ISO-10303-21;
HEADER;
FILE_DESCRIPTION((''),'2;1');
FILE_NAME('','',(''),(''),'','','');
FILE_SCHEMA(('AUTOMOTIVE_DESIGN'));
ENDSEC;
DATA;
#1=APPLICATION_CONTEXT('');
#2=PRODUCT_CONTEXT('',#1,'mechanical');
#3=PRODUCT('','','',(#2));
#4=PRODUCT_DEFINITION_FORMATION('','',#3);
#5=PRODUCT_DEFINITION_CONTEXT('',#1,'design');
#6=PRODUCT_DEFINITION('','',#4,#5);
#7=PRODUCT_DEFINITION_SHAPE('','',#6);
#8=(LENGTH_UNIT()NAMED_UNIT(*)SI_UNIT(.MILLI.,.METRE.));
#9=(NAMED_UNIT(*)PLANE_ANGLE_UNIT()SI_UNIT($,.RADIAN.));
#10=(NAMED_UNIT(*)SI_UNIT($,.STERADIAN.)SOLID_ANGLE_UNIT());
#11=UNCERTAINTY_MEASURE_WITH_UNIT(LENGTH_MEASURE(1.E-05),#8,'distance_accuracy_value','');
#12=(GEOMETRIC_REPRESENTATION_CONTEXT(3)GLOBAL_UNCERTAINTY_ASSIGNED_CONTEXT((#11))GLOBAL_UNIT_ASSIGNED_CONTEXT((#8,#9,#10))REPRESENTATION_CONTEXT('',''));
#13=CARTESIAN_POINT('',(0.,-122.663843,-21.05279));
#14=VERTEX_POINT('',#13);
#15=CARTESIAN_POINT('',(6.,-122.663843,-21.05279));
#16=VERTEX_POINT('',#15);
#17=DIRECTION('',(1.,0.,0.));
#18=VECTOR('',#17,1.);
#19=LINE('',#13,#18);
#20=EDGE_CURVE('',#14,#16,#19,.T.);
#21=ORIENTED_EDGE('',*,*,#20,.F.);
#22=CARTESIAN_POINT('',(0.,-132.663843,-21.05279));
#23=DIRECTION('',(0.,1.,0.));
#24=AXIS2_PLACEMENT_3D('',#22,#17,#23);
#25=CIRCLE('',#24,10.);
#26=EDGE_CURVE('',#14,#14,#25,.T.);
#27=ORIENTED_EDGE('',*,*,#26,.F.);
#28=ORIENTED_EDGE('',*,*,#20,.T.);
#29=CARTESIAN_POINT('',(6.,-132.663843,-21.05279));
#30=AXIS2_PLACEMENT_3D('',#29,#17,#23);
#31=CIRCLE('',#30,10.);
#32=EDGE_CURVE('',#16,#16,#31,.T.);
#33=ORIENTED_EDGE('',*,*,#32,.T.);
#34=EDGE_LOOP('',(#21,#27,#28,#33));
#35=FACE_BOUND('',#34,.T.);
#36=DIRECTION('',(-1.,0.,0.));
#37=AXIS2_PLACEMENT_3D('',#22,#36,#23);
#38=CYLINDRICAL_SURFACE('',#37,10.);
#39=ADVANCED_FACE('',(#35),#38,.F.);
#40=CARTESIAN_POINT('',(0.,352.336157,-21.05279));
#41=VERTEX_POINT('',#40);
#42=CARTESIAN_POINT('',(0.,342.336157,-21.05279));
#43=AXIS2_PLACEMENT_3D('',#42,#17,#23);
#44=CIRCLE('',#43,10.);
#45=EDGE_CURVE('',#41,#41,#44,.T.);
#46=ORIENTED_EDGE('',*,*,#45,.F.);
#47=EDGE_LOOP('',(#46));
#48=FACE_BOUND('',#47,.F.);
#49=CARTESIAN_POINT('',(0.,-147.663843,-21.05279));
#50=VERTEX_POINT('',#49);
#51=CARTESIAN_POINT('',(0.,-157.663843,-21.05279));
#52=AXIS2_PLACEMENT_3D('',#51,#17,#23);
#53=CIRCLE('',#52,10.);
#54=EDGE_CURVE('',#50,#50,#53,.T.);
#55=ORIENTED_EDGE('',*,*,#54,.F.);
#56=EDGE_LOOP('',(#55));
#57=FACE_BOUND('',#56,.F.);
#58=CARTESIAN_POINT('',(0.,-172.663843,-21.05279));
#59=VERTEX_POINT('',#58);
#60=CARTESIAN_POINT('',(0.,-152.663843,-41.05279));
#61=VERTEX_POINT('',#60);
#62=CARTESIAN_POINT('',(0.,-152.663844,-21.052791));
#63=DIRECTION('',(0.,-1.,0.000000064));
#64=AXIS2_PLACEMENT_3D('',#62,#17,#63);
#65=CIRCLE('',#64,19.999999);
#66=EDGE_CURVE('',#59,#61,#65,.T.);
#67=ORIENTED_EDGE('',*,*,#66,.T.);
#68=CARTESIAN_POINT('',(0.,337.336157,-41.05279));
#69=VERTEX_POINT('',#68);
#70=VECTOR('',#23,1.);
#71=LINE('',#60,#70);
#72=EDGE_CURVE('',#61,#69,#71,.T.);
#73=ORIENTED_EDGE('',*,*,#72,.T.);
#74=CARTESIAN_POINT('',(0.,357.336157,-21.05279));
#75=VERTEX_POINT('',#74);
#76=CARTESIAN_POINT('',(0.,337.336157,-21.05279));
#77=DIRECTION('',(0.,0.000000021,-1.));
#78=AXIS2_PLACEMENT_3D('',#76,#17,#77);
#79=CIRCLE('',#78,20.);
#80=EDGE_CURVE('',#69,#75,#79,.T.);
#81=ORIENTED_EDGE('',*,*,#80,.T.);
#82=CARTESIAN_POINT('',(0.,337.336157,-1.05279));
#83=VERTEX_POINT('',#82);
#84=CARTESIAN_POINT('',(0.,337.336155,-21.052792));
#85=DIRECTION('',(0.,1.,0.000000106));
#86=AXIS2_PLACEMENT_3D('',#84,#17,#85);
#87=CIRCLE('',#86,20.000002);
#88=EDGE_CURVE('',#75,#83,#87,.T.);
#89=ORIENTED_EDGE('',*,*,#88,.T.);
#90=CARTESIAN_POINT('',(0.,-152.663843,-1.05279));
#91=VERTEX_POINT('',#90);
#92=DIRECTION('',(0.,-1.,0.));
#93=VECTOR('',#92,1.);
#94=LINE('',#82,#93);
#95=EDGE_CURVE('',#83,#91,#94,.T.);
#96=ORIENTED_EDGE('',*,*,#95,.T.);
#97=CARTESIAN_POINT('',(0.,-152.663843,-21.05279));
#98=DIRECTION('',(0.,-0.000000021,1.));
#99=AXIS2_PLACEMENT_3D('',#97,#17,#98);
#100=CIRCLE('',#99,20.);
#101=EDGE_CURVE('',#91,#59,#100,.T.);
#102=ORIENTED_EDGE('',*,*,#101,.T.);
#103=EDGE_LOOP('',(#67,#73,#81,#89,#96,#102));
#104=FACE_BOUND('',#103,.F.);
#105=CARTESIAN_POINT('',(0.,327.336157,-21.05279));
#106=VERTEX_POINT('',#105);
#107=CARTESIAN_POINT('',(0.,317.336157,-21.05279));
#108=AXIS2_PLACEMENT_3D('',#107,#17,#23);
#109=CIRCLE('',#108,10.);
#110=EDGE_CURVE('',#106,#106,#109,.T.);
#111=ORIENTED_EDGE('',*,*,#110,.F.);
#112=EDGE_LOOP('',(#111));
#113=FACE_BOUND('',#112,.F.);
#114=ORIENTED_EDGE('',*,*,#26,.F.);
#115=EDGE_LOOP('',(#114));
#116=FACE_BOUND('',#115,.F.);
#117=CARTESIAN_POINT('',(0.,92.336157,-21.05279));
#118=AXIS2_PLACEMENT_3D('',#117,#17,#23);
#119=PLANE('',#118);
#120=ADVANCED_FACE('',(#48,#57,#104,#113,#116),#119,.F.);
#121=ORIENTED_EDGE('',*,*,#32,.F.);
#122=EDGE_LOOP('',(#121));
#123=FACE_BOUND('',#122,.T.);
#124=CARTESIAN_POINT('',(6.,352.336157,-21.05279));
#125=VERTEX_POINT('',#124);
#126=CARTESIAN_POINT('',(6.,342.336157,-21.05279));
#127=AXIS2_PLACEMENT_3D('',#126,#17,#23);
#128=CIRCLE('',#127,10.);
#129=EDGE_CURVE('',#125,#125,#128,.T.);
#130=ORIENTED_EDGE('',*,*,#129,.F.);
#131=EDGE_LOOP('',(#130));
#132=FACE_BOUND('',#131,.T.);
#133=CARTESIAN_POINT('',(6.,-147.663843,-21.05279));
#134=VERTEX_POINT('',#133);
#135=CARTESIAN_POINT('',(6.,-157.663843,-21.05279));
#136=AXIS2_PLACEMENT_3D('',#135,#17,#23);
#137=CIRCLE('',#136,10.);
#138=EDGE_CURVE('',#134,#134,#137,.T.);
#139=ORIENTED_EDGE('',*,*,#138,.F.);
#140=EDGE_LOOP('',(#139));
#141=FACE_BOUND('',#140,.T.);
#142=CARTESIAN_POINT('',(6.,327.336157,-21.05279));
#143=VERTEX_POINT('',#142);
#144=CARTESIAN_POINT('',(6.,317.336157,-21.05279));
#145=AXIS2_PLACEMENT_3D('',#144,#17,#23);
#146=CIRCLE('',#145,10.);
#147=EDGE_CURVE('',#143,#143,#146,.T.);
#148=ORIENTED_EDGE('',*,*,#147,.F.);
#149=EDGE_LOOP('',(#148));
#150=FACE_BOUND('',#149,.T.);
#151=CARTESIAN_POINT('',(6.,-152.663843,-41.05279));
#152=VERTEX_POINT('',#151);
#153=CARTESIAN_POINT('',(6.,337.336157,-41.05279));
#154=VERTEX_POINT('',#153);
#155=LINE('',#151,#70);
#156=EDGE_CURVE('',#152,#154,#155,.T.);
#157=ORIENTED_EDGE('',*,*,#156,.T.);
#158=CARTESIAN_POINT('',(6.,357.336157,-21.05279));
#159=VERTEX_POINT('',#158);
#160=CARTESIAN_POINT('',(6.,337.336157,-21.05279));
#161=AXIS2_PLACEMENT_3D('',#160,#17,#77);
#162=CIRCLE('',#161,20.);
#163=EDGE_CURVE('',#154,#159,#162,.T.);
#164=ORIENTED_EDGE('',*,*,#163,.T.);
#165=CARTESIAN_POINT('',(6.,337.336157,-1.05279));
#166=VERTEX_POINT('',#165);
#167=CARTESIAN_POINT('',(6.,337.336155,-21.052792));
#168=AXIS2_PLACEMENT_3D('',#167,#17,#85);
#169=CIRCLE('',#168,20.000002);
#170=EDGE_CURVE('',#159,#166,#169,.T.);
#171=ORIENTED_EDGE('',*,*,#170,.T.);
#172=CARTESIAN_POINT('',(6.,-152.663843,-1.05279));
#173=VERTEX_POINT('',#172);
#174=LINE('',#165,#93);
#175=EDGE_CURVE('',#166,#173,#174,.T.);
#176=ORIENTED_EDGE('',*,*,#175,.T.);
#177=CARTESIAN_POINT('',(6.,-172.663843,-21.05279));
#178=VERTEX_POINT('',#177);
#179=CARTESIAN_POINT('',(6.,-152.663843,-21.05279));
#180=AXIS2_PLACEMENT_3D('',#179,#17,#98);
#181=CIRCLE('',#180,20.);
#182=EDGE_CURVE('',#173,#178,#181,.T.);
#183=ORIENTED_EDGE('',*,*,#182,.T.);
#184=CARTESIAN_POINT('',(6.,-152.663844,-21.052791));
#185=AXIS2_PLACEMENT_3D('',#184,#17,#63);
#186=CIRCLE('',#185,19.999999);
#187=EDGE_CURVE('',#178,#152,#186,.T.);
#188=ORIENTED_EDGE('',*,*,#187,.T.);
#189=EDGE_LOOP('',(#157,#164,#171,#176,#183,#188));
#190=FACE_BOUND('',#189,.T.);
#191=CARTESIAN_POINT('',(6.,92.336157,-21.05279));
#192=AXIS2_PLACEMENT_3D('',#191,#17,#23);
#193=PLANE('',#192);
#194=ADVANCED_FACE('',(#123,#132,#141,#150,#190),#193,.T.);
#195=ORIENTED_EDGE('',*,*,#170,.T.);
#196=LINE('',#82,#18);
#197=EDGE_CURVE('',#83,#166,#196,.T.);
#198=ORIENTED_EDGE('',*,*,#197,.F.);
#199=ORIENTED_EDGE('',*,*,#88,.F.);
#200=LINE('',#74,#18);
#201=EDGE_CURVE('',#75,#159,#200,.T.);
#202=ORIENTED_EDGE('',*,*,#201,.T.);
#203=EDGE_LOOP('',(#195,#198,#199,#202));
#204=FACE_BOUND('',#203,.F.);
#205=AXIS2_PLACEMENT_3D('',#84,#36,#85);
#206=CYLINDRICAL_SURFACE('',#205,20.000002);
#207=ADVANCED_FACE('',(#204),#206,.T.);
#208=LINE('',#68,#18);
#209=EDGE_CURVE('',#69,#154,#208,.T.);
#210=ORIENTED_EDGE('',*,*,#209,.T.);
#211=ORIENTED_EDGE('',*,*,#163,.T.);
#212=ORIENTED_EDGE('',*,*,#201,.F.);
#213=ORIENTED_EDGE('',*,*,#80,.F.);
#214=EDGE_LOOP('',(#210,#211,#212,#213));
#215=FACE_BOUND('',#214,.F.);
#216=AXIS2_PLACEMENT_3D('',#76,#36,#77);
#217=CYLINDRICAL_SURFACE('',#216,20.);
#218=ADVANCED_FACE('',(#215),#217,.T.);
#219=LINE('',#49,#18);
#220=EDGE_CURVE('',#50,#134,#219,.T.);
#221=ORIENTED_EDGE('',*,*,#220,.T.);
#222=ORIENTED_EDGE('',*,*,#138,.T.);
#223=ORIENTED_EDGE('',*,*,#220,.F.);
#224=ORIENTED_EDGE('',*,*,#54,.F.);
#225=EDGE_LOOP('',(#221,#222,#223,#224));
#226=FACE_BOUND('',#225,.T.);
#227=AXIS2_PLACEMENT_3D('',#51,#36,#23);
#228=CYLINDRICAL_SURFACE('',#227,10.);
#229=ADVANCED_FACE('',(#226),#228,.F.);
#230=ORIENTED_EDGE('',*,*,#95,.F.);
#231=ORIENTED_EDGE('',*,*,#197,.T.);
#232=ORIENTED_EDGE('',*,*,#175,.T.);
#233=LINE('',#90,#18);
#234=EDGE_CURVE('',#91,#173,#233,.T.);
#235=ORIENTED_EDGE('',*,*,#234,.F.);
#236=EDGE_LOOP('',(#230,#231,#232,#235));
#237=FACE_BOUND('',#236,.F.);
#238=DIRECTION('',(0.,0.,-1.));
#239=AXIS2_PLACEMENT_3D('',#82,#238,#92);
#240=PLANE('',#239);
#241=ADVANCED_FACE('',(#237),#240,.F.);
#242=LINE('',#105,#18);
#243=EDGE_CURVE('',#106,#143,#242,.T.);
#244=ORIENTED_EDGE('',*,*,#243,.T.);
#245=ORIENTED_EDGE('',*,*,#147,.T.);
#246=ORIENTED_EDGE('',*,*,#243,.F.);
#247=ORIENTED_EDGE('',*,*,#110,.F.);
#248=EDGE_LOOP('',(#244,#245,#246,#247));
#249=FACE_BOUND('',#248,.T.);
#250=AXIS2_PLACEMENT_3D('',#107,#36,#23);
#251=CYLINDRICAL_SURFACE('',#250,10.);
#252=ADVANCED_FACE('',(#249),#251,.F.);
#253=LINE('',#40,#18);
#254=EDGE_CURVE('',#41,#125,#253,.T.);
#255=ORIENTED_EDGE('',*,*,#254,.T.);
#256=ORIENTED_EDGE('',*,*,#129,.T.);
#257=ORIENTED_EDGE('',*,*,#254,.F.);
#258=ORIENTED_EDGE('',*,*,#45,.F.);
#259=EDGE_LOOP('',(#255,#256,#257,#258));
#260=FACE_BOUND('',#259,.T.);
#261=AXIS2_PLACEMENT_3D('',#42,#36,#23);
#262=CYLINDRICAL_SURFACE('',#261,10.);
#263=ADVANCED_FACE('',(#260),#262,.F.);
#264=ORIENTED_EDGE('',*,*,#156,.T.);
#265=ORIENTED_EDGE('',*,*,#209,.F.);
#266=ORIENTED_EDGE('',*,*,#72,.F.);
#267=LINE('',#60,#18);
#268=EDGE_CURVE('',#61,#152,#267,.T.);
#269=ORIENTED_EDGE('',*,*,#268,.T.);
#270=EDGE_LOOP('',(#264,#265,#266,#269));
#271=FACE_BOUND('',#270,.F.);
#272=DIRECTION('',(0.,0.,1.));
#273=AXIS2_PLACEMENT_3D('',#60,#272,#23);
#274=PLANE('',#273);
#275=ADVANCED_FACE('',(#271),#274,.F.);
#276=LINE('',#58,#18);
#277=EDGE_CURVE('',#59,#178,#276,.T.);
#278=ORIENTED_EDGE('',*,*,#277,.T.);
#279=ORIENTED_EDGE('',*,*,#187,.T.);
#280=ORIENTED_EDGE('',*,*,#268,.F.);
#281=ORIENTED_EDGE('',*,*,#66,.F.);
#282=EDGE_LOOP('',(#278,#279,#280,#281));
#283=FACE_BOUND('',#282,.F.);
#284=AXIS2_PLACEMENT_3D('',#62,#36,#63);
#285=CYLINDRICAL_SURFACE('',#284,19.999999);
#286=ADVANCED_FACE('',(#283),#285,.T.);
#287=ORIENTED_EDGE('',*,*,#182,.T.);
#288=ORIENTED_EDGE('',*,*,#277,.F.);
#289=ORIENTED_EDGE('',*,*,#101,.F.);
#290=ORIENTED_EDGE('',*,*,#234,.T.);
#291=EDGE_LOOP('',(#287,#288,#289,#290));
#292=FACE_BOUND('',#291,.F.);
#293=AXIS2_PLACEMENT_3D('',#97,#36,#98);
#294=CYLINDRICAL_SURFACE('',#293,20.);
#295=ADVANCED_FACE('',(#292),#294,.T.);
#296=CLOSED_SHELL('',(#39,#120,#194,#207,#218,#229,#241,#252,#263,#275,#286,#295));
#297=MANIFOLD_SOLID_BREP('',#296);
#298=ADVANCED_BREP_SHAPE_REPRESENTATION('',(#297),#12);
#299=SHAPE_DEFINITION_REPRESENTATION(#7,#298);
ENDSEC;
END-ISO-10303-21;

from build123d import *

# Parameters (mm, degrees)
F0_R     = 10
F1_DEPTH = 6


with BuildPart() as f1:
    # F0 (on Right) → F1 (new body)
    with BuildSketch(Plane.YZ):
        with BuildLine():
            Line((337.336157, -1.05279), (-152.663843, -1.05279))
            ThreePointArc((-152.663843, -1.05279), (-166.805979, -6.910655), (-172.663843, -21.05279))
            ThreePointArc((-172.663843, -21.05279), (-166.805979, -35.194926), (-152.663843, -41.05279))
            Line((-152.663843, -41.05279), (337.336157, -41.05279))
            ThreePointArc((337.336157, -41.05279), (351.478292, -35.194926), (357.336157, -21.05279))
            ThreePointArc((357.336157, -21.05279), (351.478292, -6.910655), (337.336157, -1.05279))
        make_face()
        with Locations((-157.663843, -21.05279)):
            Circle(F0_R, mode=Mode.SUBTRACT)
        with Locations((-132.663843, -21.05279)):
            Circle(F0_R, mode=Mode.SUBTRACT)
        with Locations((317.336157, -21.05279)):
            Circle(F0_R, mode=Mode.SUBTRACT)
        with Locations((342.336157, -21.05279)):
            Circle(F0_R, mode=Mode.SUBTRACT)
    extrude(amount=F1_DEPTH)


solid = f1.part
